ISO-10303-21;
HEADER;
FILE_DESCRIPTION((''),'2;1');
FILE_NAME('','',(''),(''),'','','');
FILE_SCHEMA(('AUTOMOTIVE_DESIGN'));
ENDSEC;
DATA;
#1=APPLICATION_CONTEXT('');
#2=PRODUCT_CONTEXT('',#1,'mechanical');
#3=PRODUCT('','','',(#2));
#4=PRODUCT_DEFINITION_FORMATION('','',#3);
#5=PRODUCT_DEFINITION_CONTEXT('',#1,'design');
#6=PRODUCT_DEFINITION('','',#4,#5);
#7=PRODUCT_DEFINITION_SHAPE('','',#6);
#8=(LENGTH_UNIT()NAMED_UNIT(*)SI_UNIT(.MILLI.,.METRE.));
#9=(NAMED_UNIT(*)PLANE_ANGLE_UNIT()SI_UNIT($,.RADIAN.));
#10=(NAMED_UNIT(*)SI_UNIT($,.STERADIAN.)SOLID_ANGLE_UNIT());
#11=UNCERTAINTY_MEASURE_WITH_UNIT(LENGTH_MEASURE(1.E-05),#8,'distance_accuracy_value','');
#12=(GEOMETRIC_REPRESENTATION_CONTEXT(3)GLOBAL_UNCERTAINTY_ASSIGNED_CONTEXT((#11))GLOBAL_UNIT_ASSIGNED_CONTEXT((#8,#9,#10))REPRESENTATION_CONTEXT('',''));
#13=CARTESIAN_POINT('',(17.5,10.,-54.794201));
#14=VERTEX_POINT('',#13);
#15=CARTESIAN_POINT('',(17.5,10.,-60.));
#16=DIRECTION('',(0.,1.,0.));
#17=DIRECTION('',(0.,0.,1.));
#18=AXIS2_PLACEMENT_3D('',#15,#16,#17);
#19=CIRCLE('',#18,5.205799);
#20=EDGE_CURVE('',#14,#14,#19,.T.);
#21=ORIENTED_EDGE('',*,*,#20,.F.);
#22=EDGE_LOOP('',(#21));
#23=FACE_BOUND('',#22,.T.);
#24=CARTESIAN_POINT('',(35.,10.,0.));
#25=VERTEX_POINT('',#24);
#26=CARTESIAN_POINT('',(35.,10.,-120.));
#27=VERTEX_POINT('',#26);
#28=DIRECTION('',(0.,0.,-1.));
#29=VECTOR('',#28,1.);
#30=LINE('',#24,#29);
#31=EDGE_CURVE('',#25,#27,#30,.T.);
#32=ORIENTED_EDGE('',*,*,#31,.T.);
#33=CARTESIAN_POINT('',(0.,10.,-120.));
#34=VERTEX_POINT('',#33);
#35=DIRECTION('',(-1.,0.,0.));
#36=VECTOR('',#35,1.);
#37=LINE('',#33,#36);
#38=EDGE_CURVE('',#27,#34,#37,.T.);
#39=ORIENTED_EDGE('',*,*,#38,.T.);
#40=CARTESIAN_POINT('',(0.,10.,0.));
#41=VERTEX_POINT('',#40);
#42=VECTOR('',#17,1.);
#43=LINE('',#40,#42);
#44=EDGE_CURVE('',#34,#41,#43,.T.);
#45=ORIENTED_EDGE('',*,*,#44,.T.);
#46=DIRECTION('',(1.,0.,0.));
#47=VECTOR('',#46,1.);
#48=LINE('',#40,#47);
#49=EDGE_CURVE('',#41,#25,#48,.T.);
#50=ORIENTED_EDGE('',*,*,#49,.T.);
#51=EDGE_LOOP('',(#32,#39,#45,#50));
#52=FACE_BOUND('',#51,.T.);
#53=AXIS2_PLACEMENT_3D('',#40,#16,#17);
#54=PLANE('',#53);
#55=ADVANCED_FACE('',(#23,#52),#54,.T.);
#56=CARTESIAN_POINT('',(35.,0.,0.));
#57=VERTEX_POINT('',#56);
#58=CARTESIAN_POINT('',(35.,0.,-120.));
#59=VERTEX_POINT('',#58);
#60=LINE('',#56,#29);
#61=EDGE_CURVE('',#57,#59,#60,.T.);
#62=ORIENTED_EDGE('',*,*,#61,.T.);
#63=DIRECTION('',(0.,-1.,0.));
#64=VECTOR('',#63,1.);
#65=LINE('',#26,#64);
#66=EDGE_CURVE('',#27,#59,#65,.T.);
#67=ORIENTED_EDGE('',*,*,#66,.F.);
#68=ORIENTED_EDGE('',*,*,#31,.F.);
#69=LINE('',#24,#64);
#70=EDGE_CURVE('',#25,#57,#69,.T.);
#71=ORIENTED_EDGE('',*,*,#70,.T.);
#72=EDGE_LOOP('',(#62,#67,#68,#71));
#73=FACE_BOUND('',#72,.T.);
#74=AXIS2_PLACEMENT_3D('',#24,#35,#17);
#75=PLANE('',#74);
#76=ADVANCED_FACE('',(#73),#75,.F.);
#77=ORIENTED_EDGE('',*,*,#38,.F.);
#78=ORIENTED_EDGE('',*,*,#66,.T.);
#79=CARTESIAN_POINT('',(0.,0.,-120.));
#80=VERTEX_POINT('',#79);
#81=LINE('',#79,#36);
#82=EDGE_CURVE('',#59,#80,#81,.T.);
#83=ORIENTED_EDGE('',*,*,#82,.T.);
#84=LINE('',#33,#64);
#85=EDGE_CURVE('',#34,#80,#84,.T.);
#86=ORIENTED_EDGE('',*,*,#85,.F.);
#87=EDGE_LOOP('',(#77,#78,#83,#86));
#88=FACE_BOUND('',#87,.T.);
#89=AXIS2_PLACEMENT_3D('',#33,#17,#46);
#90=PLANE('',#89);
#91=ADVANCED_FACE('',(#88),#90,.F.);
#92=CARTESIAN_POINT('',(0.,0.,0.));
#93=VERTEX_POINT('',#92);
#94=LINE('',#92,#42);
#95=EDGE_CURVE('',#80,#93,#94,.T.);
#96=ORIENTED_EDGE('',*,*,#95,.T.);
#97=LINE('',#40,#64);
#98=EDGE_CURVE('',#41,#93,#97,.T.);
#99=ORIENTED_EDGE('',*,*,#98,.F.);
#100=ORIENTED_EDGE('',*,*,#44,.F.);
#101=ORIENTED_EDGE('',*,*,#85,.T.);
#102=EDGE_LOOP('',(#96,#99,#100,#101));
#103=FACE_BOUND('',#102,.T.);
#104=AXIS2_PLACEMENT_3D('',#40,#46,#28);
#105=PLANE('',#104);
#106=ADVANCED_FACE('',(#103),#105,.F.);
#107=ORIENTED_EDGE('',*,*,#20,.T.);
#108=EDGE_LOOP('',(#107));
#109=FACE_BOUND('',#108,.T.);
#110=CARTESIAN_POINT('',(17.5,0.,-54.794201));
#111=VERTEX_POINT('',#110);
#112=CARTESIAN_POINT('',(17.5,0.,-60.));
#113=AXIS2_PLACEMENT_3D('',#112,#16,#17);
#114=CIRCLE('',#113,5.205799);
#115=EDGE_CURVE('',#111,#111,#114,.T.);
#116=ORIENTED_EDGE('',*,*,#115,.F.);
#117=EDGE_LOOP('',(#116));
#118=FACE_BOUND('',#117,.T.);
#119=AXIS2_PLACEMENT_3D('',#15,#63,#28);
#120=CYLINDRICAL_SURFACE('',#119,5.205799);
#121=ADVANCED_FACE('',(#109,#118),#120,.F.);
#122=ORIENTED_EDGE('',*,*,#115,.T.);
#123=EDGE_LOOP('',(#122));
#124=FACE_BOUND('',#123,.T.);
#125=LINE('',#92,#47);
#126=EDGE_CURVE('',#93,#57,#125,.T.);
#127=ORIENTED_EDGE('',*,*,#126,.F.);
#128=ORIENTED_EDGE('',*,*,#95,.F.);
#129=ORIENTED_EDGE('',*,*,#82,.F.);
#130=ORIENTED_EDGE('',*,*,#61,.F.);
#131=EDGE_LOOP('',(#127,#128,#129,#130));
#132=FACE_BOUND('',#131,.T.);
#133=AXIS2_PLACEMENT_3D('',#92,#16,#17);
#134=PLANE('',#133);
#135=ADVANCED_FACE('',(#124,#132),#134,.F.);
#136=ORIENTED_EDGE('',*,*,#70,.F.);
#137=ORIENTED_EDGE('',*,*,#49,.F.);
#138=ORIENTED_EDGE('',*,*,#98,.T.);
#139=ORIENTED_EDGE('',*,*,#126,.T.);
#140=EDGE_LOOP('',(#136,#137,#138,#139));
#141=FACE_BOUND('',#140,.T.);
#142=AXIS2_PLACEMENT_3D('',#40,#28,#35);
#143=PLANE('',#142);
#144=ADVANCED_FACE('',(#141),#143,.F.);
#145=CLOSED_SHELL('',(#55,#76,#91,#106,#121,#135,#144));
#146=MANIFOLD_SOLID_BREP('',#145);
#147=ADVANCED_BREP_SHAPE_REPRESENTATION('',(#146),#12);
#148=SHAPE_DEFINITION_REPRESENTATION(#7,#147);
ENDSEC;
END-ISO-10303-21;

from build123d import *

# Parameters (mm, degrees)
BOSS_EXTRUDE1_DEPTH = 10


with BuildPart() as part:
    # Sketch1 → Boss-Extrude1 (new body)
    with BuildSketch(Plane(origin=(0, 0, 0), x_dir=(1, 0, 0), z_dir=(0, 1, 0))):
        with BuildLine():
            Line((0, 120), (0, 60))
            Line((0, 60), (12.294200791, 60))
            ThreePointArc((12.294200791, 60), (17.5, 65.205799209), (22.705799209, 60))
            Line((22.705799209, 60), (35, 60))
            Line((35, 60), (35, 120))
            Line((35, 120), (0, 120))
        make_face()
        with BuildLine():
            Line((0, 60), (0, 0))
            Line((0, 0), (35, 0))
            Line((35, 0), (35, 60))
            Line((35, 60), (22.705799209, 60))
            ThreePointArc((22.705799209, 60), (17.5, 54.794200791), (12.294200791, 60))
            Line((12.294200791, 60), (0, 60))
        make_face()
    extrude(amount=BOSS_EXTRUDE1_DEPTH)


solid = part.part
